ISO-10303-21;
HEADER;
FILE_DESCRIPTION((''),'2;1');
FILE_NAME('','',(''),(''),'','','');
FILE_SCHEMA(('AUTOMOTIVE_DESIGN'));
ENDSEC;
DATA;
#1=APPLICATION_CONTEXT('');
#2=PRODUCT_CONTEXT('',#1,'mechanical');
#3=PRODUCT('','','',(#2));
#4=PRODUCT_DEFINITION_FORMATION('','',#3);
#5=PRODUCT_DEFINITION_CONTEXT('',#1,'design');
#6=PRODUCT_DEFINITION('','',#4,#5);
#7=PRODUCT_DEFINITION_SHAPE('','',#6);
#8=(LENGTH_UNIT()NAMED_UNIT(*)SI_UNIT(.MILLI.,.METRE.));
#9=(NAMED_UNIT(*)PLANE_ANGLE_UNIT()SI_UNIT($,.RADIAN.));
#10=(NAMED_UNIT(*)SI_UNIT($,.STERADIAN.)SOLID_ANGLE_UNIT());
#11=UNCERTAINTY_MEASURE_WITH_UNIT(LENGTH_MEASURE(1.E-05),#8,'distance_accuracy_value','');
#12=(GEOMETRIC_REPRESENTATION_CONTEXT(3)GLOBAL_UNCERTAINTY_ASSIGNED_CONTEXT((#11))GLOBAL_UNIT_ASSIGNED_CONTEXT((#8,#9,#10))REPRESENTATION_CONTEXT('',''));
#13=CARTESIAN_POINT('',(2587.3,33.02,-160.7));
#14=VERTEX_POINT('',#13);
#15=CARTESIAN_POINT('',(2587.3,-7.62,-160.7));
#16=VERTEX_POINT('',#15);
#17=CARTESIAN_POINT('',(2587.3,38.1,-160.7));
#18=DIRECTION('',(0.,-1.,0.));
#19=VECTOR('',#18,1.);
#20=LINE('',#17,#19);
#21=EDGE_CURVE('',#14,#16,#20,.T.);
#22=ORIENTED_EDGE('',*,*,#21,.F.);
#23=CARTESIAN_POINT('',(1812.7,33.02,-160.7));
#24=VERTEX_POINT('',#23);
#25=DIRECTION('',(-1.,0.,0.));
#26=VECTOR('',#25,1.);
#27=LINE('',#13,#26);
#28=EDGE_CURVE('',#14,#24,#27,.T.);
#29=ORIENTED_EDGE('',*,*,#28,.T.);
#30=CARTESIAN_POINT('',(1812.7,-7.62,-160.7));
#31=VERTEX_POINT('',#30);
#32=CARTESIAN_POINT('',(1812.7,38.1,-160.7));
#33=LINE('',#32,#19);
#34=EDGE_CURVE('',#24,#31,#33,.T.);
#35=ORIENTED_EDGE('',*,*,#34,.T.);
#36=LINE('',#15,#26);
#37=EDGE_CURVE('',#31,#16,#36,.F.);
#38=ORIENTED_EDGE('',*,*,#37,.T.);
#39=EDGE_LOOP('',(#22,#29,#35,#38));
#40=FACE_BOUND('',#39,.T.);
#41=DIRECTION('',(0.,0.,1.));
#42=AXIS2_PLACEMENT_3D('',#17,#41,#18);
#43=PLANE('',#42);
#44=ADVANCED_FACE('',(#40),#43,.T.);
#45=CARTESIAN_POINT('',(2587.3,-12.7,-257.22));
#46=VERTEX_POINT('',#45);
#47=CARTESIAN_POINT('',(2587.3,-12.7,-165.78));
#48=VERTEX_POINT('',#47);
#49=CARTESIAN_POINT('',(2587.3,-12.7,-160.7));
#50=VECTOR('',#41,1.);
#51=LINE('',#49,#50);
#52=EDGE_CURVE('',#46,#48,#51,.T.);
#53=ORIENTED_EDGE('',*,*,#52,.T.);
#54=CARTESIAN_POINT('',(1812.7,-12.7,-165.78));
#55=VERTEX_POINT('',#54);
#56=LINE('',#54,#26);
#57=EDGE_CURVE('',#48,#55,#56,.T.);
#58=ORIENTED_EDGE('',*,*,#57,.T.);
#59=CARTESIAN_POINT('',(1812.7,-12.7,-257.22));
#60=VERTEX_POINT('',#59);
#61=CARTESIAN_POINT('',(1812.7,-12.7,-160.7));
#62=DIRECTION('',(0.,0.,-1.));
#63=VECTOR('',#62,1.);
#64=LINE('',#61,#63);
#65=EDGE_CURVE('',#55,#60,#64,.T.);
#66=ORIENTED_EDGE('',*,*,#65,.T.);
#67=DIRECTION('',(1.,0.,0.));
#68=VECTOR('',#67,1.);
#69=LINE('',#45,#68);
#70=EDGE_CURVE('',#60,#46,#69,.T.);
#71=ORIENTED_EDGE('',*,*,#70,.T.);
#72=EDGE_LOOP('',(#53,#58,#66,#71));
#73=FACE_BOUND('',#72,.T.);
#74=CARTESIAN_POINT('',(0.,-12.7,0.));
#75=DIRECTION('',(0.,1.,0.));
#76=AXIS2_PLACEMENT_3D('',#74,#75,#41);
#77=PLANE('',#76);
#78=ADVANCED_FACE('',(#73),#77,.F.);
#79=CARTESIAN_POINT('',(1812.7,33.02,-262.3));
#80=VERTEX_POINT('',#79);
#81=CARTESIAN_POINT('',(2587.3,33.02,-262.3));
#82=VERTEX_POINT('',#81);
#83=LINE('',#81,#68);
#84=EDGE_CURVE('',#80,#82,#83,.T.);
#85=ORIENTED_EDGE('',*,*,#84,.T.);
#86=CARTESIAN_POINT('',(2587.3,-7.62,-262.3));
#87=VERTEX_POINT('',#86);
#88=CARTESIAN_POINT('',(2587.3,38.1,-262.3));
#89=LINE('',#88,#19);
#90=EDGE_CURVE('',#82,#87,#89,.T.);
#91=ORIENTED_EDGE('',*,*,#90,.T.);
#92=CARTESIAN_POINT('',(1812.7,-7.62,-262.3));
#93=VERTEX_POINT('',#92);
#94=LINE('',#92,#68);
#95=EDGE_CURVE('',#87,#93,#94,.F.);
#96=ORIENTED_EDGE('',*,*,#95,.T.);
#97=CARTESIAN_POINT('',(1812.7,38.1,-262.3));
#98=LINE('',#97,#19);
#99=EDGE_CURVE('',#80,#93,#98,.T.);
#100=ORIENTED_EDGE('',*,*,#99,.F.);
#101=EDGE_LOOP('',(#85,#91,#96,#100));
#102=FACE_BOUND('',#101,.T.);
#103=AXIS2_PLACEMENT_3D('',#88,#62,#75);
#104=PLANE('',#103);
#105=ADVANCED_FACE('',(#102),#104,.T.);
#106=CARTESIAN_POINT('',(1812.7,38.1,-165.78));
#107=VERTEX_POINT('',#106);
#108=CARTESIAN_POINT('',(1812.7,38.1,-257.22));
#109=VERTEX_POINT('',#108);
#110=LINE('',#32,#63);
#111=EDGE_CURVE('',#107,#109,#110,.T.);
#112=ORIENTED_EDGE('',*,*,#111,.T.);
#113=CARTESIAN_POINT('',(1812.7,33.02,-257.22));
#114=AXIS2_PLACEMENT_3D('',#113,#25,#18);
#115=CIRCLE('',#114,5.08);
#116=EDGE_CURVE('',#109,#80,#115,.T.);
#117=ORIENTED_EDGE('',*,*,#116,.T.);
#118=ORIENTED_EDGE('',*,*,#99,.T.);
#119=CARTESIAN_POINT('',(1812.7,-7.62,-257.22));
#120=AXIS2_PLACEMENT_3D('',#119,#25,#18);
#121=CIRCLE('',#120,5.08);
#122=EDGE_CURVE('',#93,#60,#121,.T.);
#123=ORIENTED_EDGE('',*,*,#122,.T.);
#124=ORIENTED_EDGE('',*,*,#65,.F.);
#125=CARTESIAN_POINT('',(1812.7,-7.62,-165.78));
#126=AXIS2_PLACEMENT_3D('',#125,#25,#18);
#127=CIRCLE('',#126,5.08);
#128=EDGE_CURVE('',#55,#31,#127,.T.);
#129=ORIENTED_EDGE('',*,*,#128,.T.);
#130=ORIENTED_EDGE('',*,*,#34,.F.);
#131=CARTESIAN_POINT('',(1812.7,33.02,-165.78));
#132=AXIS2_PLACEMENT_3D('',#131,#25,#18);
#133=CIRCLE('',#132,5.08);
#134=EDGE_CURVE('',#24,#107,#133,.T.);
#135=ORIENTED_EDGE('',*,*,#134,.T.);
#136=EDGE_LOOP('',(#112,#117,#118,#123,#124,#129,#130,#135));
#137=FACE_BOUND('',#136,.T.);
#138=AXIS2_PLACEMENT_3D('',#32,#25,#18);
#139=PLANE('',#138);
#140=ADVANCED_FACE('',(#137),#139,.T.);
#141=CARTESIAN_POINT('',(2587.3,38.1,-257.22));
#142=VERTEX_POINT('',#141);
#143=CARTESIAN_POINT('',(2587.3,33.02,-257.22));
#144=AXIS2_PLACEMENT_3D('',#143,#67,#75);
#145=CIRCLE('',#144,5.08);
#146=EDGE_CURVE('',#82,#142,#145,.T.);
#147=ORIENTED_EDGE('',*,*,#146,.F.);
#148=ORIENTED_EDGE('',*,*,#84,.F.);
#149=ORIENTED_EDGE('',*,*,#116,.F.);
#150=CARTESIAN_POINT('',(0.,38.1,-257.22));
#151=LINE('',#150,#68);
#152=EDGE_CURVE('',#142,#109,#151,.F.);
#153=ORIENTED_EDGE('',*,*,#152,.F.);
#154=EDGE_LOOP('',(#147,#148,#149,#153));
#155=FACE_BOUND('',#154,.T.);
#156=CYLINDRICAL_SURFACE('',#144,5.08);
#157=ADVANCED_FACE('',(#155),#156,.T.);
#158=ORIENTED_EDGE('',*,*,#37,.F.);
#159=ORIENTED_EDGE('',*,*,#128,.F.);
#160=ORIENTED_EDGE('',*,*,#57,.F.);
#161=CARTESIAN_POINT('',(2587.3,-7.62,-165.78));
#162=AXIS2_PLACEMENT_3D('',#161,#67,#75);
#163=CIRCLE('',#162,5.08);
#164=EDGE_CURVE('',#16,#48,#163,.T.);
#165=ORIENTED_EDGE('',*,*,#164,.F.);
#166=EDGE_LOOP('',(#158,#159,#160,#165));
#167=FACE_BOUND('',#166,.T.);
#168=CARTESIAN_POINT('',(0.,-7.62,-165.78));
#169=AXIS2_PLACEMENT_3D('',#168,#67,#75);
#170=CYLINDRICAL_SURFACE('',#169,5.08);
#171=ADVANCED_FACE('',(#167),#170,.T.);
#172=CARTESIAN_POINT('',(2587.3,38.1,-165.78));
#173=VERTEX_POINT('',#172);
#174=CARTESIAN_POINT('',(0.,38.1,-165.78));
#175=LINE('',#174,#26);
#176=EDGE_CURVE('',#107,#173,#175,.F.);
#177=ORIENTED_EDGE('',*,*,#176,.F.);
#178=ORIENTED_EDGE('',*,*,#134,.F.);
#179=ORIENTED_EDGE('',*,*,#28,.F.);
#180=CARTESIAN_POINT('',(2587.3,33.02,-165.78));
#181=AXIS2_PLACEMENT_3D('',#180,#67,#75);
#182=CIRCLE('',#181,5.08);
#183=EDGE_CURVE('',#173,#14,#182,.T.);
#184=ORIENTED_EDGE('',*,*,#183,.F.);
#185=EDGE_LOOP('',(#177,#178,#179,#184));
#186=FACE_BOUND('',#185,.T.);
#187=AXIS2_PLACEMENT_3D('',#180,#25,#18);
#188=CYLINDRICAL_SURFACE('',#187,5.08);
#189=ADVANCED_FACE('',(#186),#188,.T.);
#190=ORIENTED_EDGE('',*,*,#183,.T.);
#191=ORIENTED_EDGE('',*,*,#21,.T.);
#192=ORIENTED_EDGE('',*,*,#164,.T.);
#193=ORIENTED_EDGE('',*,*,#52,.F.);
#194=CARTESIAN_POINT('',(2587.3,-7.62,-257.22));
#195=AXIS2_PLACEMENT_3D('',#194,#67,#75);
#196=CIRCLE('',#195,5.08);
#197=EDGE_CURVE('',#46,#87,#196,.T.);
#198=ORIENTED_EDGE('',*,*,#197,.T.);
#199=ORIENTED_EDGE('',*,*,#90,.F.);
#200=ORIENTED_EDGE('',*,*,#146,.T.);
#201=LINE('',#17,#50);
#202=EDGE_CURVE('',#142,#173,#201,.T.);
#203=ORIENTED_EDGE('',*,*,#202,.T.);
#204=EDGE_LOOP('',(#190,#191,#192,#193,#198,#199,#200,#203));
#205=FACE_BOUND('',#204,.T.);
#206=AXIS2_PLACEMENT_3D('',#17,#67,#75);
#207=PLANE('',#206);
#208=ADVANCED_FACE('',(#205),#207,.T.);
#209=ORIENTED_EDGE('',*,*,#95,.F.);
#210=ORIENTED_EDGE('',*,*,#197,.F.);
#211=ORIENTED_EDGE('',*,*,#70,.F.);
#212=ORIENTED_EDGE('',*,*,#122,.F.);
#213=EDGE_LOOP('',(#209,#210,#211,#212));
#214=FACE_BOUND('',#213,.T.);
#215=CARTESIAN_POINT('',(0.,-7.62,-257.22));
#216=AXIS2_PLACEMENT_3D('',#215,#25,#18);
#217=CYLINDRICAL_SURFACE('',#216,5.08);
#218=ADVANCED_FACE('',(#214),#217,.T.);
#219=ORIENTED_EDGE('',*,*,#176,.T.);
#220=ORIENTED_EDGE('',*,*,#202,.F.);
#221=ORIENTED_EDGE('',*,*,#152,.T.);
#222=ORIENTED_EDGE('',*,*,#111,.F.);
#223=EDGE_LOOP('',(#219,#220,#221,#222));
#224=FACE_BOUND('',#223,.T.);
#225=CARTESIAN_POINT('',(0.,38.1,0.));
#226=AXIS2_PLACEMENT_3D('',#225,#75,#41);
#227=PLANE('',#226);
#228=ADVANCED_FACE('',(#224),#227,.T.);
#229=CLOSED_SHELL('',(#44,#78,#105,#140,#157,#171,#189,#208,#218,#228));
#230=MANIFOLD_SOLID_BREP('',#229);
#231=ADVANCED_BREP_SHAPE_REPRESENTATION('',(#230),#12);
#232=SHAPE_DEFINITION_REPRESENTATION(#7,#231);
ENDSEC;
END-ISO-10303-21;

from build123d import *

# Parameters (mm, degrees)
SKETCH1_W           = 774.6
SKETCH1_H           = 101.6
BOSS_EXTRUDE1_DEPTH = 50.8
FILLET1_R           = 5.08


with BuildPart() as part:
    # Sketch1 → Boss-Extrude1 (new body)
    with BuildSketch(Plane(origin=(0, -12.7, 0), x_dir=(-1, 0, 0), z_dir=(0, -1, 0))):
        with Locations((-2200, 211.5)):
            Rectangle(SKETCH1_W, SKETCH1_H)
    extrude(amount=-BOSS_EXTRUDE1_DEPTH)

    # Fillet1
    fillet1_edges = [part.edges().sort_by_distance(p)[0] for p in [
        (2200, 38.1, -262.3),
        (2200, -12.7, -262.3),
        (2200, -12.7, -160.7),
        (2200, 38.1, -160.7),
    ]]
    fillet(fillet1_edges, radius=FILLET1_R)


solid = part.part
